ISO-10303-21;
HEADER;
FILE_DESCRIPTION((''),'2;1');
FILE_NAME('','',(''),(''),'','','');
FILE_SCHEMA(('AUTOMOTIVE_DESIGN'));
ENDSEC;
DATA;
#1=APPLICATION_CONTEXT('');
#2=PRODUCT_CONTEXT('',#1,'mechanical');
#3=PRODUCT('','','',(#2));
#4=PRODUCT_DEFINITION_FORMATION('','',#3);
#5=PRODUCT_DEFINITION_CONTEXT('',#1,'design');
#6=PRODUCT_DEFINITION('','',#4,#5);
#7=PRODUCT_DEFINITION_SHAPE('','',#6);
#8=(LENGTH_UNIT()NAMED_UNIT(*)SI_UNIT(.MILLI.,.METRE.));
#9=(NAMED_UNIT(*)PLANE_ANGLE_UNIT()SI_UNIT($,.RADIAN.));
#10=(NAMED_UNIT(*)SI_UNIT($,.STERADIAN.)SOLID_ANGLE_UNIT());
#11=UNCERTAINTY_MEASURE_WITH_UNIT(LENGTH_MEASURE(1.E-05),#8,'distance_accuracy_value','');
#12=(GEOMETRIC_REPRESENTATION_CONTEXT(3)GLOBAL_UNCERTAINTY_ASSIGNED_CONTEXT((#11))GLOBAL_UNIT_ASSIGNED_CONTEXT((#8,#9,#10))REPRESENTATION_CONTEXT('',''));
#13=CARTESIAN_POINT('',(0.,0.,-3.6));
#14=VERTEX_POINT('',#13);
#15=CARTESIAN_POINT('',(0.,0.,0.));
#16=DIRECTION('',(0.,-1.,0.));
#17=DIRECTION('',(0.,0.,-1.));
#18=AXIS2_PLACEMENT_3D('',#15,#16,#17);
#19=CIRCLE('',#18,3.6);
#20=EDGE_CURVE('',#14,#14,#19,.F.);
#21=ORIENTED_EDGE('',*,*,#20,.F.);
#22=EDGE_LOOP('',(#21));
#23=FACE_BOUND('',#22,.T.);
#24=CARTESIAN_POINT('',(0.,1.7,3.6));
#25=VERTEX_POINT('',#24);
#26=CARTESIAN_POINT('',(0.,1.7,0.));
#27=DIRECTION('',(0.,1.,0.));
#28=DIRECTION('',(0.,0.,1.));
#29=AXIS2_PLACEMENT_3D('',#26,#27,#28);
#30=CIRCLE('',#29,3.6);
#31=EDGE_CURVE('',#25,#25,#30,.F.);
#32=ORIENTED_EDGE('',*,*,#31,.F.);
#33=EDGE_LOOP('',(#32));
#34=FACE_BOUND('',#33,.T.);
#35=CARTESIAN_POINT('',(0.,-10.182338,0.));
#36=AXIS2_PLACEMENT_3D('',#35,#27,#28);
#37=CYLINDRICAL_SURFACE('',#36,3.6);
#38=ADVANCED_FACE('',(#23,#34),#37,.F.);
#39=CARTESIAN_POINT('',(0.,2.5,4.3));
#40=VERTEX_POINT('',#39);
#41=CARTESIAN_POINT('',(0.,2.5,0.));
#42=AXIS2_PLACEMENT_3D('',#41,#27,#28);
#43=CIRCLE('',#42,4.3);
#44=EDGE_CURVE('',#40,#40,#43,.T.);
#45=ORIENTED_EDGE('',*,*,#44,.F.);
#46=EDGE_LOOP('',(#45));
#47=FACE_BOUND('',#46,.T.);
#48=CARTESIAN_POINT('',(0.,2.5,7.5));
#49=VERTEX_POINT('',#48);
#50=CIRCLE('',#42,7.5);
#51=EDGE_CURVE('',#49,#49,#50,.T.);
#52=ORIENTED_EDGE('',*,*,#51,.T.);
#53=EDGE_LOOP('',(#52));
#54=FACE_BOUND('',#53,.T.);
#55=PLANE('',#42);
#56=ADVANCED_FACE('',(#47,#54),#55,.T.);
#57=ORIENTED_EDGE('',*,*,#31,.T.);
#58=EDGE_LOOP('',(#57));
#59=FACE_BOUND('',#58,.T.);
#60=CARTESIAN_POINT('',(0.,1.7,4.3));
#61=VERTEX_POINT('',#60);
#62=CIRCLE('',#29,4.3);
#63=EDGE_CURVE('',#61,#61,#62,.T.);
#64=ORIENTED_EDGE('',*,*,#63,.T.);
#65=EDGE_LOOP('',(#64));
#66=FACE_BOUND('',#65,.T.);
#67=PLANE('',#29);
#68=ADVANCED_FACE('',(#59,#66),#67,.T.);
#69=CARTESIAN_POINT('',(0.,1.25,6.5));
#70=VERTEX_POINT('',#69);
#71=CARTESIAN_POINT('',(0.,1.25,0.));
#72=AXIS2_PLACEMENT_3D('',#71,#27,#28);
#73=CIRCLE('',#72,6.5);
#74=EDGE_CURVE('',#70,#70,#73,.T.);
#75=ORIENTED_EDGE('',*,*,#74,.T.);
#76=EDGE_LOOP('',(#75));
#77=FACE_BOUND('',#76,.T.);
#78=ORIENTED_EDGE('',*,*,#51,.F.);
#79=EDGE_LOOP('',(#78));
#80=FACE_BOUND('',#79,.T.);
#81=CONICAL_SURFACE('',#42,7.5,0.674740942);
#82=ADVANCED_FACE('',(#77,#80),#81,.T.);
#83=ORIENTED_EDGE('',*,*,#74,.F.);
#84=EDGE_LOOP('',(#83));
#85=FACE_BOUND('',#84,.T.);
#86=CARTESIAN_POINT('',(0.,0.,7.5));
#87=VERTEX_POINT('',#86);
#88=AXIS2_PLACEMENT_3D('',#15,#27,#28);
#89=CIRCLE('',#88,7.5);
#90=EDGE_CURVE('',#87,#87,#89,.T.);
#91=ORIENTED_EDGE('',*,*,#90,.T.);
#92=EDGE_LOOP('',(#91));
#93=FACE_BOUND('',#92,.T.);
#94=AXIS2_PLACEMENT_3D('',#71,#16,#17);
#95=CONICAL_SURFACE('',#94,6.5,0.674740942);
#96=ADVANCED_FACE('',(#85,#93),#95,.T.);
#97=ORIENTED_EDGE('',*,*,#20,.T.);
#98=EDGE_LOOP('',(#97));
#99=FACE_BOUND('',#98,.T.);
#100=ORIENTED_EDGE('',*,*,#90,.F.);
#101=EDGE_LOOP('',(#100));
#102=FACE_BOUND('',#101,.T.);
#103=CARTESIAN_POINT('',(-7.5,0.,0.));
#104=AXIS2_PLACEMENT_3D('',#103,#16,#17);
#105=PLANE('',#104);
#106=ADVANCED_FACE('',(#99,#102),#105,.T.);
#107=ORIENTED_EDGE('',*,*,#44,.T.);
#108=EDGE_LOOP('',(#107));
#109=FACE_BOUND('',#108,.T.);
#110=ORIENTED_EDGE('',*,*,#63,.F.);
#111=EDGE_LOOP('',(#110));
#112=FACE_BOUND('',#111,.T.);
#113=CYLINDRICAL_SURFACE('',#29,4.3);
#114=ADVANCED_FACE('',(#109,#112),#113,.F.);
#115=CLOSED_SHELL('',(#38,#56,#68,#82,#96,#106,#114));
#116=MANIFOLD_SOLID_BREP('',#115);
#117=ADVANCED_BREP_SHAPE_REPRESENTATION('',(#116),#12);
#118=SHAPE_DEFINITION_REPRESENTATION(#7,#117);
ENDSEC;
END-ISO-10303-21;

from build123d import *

# Parameters (mm, degrees)
SKETCH_2_R          = 2
CUT_EXTRUDE_1_DEPTH = 2.5
SKETCH_3_R          = 3.6
CUT_EXTRUDE_2_DEPTH = 2.5
SKETCH_4_R          = 4.3
CUT_EXTRUDE_3_DEPTH = 0.8


with BuildPart() as part:
    # 스케치1 → 회전1 (revolve)
    with BuildSketch(Plane.XY):
        Polygon((0, 0), (0, 2.5), (-7.5, 2.5), (-6.5, 1.25), (-7.5, 0), align=None)
    revolve(axis=Axis((0, 2.5, 0), (0, -1, 0)))

    # 스케치2 → 컷-돌출1 (cut)
    with BuildSketch(Plane(origin=(0, 2.5, 0), x_dir=(1, 0, 0), z_dir=(0, 1, 0))):
        Circle(SKETCH_2_R)
    extrude(amount=-CUT_EXTRUDE_1_DEPTH, mode=Mode.SUBTRACT)

    # 스케치3 → 컷-돌출2 (cut)
    with BuildSketch(Plane(origin=(0, 2.5, 0), x_dir=(1, 0, 0), z_dir=(0, 1, 0))):
        Circle(SKETCH_3_R)
    extrude(amount=-CUT_EXTRUDE_2_DEPTH, mode=Mode.SUBTRACT)

    # 스케치4 → 컷-돌출3 (cut)
    with BuildSketch(Plane(origin=(0, 2.5, 0), x_dir=(1, 0, 0), z_dir=(0, 1, 0))):
        Circle(SKETCH_4_R)
    extrude(amount=-CUT_EXTRUDE_3_DEPTH, mode=Mode.SUBTRACT)


solid = part.part
